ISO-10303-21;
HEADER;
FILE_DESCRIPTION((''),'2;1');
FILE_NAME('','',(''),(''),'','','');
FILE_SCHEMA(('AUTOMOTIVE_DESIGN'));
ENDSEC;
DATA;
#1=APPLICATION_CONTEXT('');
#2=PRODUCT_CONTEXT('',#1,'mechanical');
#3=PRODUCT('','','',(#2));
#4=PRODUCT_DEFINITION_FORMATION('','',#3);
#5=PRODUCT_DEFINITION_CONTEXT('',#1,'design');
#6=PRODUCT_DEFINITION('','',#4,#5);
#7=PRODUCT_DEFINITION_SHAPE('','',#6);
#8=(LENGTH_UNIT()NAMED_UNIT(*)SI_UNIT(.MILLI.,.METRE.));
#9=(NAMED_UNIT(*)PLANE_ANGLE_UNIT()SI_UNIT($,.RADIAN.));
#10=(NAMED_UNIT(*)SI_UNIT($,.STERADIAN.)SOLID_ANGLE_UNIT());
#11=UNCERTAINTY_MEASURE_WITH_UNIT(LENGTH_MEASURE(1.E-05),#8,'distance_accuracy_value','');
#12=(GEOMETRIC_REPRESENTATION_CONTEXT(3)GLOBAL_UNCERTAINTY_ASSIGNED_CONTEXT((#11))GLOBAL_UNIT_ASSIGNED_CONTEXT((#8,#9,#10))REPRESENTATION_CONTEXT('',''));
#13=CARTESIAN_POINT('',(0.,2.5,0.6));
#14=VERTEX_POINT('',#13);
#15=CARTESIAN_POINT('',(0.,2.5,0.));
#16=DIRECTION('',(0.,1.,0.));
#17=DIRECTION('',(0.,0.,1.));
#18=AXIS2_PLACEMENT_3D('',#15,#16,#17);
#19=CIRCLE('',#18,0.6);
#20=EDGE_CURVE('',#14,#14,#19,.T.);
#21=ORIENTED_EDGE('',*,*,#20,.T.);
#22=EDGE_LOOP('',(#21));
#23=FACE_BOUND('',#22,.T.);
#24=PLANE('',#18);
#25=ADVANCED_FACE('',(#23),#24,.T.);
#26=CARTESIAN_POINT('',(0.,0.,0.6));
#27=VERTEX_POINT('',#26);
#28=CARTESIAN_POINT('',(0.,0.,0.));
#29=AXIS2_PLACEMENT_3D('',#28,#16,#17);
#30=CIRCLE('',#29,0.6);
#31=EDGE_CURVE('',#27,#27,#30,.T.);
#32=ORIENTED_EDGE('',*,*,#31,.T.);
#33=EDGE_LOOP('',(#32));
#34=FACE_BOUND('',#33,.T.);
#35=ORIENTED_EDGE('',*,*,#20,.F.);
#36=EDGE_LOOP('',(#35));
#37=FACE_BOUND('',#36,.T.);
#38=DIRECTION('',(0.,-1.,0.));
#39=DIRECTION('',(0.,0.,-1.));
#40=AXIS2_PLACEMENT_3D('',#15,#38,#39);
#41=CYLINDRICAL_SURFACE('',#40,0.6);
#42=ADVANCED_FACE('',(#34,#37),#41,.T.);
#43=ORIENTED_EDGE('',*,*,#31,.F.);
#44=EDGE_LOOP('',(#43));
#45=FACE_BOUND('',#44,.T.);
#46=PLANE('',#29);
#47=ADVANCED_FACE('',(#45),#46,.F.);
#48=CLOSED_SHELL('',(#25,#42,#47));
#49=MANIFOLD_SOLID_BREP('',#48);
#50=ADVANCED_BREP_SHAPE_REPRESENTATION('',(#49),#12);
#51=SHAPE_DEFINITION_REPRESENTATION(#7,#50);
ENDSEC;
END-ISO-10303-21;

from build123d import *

# Parameters (mm, degrees)
SKETCH2_R           = 0.6
BOSS_EXTRUDE1_DEPTH = 2.5


with BuildPart() as part:
    # Sketch2 → Boss-Extrude1 (new body)
    with BuildSketch(Plane(origin=(0, 0, 0), x_dir=(1, 0, 0), z_dir=(0, 1, 0))):
        Circle(SKETCH2_R)
    extrude(amount=BOSS_EXTRUDE1_DEPTH)


solid = part.part
